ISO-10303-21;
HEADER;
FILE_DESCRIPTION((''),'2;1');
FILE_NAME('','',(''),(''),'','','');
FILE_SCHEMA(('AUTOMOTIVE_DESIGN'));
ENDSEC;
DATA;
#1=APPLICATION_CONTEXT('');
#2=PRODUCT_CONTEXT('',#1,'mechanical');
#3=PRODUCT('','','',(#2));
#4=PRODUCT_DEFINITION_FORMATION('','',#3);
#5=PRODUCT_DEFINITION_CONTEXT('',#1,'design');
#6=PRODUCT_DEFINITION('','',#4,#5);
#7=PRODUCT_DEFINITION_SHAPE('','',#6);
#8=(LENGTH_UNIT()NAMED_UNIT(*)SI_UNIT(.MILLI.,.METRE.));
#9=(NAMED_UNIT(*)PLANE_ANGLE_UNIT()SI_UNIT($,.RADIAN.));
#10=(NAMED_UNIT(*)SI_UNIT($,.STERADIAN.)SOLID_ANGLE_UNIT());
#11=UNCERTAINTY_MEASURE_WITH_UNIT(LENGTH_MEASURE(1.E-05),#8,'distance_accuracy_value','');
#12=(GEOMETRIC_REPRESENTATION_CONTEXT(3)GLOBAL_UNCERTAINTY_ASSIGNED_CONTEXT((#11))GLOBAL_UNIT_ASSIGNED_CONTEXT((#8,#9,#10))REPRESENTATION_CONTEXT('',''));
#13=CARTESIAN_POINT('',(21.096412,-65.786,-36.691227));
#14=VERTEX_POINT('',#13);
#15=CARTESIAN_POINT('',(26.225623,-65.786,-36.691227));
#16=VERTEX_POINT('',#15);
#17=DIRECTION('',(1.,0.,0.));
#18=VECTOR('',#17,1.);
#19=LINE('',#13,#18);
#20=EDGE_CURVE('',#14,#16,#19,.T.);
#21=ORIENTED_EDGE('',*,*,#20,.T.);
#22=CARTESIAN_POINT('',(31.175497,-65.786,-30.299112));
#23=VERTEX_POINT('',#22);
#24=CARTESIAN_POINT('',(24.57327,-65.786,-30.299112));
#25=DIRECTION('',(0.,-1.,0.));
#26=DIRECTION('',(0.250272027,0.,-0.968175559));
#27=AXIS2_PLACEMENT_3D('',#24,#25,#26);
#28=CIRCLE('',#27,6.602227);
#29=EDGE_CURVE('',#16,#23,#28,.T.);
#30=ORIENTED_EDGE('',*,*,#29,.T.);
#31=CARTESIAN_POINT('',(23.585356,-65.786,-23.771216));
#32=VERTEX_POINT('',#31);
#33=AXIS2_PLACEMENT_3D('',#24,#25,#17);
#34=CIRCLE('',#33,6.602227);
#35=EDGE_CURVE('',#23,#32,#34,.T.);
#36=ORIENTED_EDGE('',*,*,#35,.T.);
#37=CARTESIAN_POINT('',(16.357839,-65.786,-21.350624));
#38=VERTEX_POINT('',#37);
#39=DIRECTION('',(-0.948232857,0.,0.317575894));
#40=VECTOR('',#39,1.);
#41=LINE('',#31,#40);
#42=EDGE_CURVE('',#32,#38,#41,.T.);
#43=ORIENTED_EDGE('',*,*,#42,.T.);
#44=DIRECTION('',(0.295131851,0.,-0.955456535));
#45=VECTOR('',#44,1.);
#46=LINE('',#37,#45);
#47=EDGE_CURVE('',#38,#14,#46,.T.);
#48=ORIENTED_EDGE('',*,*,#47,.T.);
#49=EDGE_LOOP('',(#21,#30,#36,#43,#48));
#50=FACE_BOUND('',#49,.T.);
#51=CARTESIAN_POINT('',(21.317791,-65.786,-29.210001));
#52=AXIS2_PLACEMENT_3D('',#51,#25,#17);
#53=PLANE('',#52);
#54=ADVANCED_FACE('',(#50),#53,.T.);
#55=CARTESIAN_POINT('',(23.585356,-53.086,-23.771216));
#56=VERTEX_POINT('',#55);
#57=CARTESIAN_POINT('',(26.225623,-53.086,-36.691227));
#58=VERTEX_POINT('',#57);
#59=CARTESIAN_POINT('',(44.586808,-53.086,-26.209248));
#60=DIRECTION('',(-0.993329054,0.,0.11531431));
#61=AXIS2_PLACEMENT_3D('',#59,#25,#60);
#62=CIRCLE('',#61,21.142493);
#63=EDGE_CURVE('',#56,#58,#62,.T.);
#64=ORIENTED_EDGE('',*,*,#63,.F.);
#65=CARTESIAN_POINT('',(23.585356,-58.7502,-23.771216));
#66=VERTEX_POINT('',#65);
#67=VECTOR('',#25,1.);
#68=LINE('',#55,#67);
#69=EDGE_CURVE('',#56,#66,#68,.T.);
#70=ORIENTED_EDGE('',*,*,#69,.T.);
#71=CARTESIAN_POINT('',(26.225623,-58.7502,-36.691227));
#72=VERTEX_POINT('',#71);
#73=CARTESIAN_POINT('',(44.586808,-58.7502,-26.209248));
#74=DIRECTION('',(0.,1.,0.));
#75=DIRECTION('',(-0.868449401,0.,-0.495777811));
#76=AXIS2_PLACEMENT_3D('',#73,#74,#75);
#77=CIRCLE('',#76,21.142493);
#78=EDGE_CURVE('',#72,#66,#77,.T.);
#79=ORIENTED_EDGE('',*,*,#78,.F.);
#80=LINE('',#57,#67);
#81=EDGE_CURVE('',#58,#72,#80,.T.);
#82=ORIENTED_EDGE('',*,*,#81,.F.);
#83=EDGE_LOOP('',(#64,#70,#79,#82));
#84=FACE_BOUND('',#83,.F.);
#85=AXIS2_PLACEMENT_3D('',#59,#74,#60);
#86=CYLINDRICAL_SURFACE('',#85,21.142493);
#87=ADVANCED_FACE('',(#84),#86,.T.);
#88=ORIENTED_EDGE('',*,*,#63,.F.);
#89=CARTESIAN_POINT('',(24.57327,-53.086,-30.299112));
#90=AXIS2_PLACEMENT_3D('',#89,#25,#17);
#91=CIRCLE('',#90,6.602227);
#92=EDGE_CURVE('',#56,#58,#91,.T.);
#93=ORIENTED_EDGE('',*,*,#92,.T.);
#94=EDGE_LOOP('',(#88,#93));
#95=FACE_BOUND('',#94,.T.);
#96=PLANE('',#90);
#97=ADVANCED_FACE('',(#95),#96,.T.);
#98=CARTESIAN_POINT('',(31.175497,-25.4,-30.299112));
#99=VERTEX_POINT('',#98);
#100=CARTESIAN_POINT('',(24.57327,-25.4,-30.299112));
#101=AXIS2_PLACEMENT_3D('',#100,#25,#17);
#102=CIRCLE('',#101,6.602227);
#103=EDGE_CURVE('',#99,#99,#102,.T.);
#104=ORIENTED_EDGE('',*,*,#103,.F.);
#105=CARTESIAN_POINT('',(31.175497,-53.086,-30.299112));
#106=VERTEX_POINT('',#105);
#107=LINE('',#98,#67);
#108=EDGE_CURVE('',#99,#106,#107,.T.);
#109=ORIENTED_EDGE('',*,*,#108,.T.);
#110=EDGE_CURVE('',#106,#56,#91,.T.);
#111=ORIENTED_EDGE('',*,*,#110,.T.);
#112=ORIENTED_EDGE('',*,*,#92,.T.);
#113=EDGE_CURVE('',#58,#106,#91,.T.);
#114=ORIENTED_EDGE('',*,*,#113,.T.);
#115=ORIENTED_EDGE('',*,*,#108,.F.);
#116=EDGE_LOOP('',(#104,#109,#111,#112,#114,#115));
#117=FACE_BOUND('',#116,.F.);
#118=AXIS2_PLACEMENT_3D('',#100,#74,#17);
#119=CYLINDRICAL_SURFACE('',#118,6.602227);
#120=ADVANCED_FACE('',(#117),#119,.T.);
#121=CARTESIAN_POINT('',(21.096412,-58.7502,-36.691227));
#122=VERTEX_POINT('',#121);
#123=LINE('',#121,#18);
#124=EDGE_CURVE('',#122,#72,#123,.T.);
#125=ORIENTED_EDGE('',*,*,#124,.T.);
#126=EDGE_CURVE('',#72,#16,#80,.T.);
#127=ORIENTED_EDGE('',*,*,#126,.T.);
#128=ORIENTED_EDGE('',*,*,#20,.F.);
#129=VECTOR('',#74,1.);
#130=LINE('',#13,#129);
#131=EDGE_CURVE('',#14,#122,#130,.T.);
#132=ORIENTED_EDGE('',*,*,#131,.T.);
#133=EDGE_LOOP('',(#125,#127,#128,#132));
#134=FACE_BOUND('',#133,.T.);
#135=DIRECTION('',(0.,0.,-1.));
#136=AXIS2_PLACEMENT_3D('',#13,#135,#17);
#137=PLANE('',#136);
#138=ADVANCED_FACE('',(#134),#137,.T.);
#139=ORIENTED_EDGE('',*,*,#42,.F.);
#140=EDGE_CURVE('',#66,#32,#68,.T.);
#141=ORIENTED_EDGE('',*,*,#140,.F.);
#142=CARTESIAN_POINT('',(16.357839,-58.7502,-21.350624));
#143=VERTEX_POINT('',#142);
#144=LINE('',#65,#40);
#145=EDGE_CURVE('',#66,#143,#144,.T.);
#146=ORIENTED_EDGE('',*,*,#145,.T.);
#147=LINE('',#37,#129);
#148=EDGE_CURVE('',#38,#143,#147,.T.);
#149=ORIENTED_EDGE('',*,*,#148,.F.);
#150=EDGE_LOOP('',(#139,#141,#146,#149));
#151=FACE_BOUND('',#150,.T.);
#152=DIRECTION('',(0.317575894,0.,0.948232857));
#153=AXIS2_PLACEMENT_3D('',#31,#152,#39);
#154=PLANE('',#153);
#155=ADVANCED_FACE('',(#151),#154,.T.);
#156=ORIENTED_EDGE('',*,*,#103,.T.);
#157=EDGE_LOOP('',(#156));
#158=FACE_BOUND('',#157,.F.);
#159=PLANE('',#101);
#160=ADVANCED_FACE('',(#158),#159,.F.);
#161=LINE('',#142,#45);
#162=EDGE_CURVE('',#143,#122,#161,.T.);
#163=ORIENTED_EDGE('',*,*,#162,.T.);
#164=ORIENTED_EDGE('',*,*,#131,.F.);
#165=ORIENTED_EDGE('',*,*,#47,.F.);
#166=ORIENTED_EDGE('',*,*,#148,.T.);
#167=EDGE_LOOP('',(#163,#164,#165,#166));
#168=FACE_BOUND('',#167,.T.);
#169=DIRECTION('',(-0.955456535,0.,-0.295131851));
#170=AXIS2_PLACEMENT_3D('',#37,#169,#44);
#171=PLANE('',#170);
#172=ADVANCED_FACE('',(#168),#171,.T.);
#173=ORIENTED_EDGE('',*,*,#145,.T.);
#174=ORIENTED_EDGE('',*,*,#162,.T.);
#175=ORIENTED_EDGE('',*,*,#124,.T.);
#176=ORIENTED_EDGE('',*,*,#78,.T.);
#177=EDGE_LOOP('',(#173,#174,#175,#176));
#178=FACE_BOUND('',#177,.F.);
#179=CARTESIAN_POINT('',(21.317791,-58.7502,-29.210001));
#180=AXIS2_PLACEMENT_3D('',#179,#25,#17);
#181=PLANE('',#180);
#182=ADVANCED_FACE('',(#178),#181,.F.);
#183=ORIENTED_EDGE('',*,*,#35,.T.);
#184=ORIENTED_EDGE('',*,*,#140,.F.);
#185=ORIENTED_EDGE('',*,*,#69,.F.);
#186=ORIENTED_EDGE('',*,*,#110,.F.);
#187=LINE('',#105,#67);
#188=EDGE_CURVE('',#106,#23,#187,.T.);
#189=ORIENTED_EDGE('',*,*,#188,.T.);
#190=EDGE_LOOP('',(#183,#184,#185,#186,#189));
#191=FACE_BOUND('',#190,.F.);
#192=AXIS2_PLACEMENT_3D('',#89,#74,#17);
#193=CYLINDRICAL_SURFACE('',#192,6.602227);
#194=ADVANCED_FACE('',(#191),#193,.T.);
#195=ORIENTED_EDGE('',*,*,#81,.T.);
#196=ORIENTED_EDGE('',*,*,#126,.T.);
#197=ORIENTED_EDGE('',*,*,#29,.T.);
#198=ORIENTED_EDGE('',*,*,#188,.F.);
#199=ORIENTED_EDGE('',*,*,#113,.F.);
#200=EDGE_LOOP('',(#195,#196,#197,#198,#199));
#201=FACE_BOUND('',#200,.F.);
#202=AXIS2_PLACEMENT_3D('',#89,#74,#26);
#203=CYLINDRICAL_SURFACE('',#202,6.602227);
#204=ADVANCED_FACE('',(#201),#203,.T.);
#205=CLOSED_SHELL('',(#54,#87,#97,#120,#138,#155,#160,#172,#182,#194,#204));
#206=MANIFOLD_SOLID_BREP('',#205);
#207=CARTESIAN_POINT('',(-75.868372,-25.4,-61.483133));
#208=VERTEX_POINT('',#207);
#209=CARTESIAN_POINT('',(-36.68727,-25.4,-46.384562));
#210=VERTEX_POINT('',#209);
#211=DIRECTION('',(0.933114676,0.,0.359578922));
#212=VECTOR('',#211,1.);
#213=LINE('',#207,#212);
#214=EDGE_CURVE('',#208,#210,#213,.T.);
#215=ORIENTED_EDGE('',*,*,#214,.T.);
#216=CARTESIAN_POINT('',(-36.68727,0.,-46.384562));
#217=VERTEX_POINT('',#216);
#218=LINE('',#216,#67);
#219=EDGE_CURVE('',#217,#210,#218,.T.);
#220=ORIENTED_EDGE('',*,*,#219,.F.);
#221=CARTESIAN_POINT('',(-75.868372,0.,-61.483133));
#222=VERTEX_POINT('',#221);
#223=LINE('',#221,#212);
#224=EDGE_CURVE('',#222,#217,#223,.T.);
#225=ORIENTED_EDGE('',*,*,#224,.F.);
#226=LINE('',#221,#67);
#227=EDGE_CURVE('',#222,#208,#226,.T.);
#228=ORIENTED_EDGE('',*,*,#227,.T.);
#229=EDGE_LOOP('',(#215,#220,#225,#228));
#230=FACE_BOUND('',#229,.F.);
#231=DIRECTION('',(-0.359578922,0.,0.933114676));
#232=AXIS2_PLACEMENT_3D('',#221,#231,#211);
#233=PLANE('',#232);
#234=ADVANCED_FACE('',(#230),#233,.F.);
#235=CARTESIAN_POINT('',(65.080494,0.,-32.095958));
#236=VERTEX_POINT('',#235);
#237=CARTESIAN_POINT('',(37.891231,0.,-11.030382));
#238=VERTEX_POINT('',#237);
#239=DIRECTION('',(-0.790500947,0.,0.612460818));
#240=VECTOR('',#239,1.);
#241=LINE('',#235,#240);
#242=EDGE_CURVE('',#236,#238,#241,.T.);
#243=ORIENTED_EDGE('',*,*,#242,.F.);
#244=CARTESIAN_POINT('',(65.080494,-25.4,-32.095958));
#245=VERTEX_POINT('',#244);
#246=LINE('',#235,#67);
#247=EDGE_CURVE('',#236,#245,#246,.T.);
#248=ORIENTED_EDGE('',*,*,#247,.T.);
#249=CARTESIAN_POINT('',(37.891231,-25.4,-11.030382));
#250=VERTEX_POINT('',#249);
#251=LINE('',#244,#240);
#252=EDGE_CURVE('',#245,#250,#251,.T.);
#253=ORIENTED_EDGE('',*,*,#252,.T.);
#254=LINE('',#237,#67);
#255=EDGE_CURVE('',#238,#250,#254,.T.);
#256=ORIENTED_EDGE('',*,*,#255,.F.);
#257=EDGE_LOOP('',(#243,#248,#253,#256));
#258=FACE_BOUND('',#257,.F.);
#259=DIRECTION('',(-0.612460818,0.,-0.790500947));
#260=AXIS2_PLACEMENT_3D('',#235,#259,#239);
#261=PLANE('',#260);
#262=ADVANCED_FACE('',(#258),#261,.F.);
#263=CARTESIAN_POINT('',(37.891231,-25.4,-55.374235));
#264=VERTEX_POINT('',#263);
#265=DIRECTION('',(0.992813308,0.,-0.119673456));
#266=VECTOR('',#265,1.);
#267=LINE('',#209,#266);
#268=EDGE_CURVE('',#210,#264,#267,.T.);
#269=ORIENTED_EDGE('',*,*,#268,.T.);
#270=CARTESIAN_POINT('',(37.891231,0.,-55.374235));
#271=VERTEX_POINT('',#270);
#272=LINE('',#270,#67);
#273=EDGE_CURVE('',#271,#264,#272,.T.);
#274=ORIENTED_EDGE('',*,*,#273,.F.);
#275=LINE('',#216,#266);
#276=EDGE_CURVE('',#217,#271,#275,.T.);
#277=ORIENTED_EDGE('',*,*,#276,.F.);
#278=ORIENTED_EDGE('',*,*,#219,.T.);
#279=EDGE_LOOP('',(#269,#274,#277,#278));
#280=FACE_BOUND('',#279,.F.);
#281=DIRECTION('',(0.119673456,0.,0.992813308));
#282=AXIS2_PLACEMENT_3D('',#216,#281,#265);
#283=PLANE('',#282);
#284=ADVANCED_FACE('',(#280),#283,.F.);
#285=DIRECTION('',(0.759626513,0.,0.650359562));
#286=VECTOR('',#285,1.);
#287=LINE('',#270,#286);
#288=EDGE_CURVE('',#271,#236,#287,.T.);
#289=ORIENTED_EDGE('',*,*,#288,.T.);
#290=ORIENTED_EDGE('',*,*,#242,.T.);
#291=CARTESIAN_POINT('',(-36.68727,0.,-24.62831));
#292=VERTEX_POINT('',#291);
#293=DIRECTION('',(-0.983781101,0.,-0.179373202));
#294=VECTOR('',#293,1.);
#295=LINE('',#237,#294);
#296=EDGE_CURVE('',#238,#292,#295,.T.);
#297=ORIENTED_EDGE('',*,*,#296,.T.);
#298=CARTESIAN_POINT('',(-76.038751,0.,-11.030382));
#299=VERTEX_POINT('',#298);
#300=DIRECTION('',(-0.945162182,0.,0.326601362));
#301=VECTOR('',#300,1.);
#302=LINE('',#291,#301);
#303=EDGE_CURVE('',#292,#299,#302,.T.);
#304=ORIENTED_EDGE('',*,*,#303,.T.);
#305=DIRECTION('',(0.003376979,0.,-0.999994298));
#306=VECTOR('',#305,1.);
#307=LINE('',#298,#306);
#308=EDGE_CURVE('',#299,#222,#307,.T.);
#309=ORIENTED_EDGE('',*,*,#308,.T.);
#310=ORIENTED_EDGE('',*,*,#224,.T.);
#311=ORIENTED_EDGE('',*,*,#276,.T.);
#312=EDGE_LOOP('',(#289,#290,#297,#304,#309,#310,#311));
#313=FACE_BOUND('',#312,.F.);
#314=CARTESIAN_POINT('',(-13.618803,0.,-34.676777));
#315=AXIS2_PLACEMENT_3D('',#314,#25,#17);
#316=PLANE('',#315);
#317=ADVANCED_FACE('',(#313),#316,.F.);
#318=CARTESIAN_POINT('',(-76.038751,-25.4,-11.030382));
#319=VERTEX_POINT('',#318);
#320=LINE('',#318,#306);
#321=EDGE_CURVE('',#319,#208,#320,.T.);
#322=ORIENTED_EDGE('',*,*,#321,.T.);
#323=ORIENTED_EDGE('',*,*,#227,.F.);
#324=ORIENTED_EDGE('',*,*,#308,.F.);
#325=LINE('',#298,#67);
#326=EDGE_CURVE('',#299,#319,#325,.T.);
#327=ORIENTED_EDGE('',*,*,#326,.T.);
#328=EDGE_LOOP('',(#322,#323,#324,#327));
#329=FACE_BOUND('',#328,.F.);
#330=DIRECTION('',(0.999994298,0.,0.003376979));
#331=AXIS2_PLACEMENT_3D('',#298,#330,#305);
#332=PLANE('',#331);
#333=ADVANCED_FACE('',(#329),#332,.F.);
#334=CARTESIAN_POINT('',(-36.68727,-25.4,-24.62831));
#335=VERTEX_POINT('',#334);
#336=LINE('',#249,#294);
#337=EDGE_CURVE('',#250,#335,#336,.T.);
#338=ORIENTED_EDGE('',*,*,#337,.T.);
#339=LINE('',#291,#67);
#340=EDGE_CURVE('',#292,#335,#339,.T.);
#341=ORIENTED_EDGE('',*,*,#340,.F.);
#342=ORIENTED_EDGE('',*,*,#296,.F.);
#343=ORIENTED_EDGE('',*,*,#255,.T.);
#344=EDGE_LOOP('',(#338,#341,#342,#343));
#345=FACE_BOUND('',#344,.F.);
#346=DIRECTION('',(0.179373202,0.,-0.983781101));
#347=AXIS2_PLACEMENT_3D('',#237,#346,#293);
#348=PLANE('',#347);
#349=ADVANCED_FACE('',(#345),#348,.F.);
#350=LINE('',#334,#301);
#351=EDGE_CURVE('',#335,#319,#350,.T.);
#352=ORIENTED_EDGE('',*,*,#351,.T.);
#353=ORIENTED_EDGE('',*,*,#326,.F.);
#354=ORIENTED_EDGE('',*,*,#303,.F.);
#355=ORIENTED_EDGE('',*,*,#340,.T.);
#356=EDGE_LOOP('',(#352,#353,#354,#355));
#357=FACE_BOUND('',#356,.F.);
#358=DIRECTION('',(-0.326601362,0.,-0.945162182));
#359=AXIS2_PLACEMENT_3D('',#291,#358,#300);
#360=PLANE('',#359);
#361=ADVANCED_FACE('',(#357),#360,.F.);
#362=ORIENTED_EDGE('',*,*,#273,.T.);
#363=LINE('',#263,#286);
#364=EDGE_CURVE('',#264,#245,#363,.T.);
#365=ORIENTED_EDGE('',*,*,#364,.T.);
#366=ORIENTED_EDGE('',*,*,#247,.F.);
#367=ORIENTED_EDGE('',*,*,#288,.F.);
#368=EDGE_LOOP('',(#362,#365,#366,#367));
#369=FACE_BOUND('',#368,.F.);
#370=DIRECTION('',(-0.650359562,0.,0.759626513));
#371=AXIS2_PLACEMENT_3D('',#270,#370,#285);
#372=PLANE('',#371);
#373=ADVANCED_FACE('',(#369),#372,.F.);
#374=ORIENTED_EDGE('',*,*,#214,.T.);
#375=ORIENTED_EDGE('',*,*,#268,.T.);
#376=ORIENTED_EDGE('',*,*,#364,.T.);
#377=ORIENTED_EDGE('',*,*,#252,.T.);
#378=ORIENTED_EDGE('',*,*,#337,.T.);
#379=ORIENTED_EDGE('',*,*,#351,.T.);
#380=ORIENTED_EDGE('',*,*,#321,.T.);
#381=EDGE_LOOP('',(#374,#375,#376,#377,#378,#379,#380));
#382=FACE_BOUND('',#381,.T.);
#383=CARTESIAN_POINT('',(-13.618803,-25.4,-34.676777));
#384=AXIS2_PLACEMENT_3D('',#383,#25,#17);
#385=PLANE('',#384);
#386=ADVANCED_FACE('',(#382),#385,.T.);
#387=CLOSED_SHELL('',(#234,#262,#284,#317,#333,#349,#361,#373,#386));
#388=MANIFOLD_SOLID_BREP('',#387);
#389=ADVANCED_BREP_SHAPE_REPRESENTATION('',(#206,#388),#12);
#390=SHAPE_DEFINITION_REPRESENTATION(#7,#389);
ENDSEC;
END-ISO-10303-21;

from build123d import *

# Parameters (mm, degrees)
F0_R     = 4.7594660515
F1_DEPTH = 25.4
F2_R     = 6.6022269286
F3_DEPTH = 27.686
F5_DEPTH = 12.7
F7_DEPTH = 7.0358


with BuildPart() as f1:
    # F0 (on Front) → F1 (new body)
    with BuildSketch(Plane.XZ):
        Polygon((-36.6872698069, -24.628309533), (-76.0387508444, -11.0303815454), (-75.8683719788, -61.4831332203), (-36.6872698069, -46.384561923), (37.8912314773, -55.3742349148), (65.0804936886, -32.0959575474), (37.8912314773, -11.0303815454), align=None)
        with Locations((26.4151897281, -32.2757959366)):
            Circle(F0_R, mode=Mode.SUBTRACT)
        with Locations((26.4151897281, -32.2757959366)):
            Circle(F0_R)
    extrude(amount=F1_DEPTH)


with BuildPart() as f3:
    # F2 (on face) → F3 (new body)
    with BuildSketch(Plane.XZ.offset(25.4)):
        with Locations((24.5732702315, -30.2991122007)):
            Circle(F2_R)
    extrude(amount=F3_DEPTH)

    # F4 (on face) → F5 (join)
    with BuildSketch(Plane.XZ.offset(53.086)):
        with BuildLine():
            ThreePointArc((31.1754971601, -30.2991122007), (28.8783233748, -25.2935235391), (23.5853557969, -23.7712162544))
            ThreePointArc((23.5853557969, -23.7712162544), (23.8724175455, -30.4423348627), (26.2256229469, -36.6912269463))
            ThreePointArc((26.2256229469, -36.6912269463), (29.7933568213, -34.3414007124), (31.1754971601, -30.2991122007))
        make_face()
    extrude(amount=F5_DEPTH)

    # F6 (on face) → F7 (join)
    with BuildSketch(Plane.XZ.offset(65.786)):
        with BuildLine():
            ThreePointArc((26.2256229469, -36.6912269463), (23.8724175455, -30.4423348627), (23.5853557969, -23.7712162544))
            Line((23.5853557969, -23.7712162544), (16.3578391075, -21.3506240398))
            Line((16.3578391075, -21.3506240398), (21.0964120924, -36.6912269463))
            Line((21.0964120924, -36.6912269463), (26.2256229469, -36.6912269463))
        make_face()
    extrude(amount=-F7_DEPTH)


solid = Compound([f1.part, f3.part])
